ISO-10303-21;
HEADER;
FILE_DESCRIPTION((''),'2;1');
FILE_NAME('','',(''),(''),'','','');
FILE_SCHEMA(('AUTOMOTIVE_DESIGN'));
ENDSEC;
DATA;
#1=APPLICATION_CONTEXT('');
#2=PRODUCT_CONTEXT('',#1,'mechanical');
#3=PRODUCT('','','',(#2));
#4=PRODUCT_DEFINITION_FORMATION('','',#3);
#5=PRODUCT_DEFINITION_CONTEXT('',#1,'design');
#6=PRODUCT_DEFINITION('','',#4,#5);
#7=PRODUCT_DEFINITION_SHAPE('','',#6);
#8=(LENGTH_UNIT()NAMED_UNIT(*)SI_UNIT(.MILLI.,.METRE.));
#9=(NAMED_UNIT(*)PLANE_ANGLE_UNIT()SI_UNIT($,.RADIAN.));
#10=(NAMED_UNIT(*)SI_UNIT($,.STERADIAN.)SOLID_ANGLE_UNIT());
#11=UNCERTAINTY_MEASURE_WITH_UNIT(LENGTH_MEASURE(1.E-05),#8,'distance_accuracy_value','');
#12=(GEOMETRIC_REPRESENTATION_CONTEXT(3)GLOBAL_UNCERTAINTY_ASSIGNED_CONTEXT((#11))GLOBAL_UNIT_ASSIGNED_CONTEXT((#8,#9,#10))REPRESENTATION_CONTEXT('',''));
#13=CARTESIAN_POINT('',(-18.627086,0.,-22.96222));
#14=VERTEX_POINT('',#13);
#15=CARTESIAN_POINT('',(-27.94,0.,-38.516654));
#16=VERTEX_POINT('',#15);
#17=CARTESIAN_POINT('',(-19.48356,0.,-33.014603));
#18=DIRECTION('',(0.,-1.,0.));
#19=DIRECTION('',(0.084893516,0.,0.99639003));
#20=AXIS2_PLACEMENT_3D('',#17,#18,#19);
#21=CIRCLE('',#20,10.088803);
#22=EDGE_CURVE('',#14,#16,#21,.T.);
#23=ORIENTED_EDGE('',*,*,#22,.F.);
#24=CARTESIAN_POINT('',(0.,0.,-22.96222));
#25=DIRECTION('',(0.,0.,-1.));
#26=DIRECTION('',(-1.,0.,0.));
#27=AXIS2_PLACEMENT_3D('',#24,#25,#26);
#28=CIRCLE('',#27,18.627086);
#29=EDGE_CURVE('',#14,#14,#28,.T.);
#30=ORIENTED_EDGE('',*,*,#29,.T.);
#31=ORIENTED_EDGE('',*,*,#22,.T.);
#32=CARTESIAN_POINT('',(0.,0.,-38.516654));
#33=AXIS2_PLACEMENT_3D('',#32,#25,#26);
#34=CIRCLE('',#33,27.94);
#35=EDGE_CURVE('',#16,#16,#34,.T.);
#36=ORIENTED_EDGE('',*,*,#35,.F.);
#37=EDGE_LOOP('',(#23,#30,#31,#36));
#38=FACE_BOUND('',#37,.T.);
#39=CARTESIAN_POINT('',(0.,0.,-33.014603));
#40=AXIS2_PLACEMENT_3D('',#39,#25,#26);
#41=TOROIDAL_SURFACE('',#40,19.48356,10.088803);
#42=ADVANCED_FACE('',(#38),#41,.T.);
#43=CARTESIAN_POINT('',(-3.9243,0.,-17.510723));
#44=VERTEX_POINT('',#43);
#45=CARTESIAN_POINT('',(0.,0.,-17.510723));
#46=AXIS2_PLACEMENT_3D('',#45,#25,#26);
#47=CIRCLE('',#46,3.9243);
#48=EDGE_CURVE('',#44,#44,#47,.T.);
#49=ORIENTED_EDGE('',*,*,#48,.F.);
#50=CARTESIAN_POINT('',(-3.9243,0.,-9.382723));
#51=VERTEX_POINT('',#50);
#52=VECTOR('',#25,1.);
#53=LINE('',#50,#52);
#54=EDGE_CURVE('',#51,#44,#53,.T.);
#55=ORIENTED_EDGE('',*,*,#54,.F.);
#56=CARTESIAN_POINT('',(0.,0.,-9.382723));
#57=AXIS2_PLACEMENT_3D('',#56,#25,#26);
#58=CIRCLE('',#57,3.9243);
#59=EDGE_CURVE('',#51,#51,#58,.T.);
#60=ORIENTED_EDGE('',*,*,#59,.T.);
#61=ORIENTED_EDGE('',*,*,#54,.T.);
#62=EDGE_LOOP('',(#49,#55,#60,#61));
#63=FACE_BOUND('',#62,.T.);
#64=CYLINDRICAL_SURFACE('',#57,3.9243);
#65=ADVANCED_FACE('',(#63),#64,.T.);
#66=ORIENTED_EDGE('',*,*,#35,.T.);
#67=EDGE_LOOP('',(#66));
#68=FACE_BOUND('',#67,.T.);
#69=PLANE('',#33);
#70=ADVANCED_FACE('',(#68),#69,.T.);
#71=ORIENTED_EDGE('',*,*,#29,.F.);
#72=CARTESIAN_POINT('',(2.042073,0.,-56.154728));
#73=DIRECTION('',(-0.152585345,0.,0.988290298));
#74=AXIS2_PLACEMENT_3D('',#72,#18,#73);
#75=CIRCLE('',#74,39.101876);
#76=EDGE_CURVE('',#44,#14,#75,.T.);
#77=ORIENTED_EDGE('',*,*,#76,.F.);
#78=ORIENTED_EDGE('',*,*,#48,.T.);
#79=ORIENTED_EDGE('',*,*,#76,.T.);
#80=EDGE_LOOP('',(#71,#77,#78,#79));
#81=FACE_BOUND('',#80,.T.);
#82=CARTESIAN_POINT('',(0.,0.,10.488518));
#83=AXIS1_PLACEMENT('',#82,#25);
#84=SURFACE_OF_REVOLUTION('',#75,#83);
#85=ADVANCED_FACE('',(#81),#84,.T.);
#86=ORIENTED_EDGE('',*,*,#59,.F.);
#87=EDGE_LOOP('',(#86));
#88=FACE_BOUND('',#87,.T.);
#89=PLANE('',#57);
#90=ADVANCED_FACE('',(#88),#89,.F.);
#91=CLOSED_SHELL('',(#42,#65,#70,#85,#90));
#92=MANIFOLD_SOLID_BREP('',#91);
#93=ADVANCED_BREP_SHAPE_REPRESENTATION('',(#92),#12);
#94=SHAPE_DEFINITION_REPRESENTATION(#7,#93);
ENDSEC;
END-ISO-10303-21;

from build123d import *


with BuildPart() as f1:
    # F0 (on Front) → F1 (revolve)
    with BuildSketch(Plane.XZ):
        with BuildLine():
            Line((0, -38.516654), (0, -9.382723))
            Line((0, -9.382723), (-3.9243, -9.382723))
            Line((-3.9243, -9.382723), (-3.9243, -17.510723))
            ThreePointArc((-3.9243, -17.510723), (-11.551771, -19.491884), (-18.627086, -22.96222))
            ThreePointArc((-18.627086, -22.96222), (-28.139481, -27.832038), (-27.94, -38.516654))
            Line((-27.94, -38.516654), (0, -38.516654))
        make_face()
    revolve(axis=Axis((0, 0, 10.488518), (0, 0, -1)))


solid = f1.part
